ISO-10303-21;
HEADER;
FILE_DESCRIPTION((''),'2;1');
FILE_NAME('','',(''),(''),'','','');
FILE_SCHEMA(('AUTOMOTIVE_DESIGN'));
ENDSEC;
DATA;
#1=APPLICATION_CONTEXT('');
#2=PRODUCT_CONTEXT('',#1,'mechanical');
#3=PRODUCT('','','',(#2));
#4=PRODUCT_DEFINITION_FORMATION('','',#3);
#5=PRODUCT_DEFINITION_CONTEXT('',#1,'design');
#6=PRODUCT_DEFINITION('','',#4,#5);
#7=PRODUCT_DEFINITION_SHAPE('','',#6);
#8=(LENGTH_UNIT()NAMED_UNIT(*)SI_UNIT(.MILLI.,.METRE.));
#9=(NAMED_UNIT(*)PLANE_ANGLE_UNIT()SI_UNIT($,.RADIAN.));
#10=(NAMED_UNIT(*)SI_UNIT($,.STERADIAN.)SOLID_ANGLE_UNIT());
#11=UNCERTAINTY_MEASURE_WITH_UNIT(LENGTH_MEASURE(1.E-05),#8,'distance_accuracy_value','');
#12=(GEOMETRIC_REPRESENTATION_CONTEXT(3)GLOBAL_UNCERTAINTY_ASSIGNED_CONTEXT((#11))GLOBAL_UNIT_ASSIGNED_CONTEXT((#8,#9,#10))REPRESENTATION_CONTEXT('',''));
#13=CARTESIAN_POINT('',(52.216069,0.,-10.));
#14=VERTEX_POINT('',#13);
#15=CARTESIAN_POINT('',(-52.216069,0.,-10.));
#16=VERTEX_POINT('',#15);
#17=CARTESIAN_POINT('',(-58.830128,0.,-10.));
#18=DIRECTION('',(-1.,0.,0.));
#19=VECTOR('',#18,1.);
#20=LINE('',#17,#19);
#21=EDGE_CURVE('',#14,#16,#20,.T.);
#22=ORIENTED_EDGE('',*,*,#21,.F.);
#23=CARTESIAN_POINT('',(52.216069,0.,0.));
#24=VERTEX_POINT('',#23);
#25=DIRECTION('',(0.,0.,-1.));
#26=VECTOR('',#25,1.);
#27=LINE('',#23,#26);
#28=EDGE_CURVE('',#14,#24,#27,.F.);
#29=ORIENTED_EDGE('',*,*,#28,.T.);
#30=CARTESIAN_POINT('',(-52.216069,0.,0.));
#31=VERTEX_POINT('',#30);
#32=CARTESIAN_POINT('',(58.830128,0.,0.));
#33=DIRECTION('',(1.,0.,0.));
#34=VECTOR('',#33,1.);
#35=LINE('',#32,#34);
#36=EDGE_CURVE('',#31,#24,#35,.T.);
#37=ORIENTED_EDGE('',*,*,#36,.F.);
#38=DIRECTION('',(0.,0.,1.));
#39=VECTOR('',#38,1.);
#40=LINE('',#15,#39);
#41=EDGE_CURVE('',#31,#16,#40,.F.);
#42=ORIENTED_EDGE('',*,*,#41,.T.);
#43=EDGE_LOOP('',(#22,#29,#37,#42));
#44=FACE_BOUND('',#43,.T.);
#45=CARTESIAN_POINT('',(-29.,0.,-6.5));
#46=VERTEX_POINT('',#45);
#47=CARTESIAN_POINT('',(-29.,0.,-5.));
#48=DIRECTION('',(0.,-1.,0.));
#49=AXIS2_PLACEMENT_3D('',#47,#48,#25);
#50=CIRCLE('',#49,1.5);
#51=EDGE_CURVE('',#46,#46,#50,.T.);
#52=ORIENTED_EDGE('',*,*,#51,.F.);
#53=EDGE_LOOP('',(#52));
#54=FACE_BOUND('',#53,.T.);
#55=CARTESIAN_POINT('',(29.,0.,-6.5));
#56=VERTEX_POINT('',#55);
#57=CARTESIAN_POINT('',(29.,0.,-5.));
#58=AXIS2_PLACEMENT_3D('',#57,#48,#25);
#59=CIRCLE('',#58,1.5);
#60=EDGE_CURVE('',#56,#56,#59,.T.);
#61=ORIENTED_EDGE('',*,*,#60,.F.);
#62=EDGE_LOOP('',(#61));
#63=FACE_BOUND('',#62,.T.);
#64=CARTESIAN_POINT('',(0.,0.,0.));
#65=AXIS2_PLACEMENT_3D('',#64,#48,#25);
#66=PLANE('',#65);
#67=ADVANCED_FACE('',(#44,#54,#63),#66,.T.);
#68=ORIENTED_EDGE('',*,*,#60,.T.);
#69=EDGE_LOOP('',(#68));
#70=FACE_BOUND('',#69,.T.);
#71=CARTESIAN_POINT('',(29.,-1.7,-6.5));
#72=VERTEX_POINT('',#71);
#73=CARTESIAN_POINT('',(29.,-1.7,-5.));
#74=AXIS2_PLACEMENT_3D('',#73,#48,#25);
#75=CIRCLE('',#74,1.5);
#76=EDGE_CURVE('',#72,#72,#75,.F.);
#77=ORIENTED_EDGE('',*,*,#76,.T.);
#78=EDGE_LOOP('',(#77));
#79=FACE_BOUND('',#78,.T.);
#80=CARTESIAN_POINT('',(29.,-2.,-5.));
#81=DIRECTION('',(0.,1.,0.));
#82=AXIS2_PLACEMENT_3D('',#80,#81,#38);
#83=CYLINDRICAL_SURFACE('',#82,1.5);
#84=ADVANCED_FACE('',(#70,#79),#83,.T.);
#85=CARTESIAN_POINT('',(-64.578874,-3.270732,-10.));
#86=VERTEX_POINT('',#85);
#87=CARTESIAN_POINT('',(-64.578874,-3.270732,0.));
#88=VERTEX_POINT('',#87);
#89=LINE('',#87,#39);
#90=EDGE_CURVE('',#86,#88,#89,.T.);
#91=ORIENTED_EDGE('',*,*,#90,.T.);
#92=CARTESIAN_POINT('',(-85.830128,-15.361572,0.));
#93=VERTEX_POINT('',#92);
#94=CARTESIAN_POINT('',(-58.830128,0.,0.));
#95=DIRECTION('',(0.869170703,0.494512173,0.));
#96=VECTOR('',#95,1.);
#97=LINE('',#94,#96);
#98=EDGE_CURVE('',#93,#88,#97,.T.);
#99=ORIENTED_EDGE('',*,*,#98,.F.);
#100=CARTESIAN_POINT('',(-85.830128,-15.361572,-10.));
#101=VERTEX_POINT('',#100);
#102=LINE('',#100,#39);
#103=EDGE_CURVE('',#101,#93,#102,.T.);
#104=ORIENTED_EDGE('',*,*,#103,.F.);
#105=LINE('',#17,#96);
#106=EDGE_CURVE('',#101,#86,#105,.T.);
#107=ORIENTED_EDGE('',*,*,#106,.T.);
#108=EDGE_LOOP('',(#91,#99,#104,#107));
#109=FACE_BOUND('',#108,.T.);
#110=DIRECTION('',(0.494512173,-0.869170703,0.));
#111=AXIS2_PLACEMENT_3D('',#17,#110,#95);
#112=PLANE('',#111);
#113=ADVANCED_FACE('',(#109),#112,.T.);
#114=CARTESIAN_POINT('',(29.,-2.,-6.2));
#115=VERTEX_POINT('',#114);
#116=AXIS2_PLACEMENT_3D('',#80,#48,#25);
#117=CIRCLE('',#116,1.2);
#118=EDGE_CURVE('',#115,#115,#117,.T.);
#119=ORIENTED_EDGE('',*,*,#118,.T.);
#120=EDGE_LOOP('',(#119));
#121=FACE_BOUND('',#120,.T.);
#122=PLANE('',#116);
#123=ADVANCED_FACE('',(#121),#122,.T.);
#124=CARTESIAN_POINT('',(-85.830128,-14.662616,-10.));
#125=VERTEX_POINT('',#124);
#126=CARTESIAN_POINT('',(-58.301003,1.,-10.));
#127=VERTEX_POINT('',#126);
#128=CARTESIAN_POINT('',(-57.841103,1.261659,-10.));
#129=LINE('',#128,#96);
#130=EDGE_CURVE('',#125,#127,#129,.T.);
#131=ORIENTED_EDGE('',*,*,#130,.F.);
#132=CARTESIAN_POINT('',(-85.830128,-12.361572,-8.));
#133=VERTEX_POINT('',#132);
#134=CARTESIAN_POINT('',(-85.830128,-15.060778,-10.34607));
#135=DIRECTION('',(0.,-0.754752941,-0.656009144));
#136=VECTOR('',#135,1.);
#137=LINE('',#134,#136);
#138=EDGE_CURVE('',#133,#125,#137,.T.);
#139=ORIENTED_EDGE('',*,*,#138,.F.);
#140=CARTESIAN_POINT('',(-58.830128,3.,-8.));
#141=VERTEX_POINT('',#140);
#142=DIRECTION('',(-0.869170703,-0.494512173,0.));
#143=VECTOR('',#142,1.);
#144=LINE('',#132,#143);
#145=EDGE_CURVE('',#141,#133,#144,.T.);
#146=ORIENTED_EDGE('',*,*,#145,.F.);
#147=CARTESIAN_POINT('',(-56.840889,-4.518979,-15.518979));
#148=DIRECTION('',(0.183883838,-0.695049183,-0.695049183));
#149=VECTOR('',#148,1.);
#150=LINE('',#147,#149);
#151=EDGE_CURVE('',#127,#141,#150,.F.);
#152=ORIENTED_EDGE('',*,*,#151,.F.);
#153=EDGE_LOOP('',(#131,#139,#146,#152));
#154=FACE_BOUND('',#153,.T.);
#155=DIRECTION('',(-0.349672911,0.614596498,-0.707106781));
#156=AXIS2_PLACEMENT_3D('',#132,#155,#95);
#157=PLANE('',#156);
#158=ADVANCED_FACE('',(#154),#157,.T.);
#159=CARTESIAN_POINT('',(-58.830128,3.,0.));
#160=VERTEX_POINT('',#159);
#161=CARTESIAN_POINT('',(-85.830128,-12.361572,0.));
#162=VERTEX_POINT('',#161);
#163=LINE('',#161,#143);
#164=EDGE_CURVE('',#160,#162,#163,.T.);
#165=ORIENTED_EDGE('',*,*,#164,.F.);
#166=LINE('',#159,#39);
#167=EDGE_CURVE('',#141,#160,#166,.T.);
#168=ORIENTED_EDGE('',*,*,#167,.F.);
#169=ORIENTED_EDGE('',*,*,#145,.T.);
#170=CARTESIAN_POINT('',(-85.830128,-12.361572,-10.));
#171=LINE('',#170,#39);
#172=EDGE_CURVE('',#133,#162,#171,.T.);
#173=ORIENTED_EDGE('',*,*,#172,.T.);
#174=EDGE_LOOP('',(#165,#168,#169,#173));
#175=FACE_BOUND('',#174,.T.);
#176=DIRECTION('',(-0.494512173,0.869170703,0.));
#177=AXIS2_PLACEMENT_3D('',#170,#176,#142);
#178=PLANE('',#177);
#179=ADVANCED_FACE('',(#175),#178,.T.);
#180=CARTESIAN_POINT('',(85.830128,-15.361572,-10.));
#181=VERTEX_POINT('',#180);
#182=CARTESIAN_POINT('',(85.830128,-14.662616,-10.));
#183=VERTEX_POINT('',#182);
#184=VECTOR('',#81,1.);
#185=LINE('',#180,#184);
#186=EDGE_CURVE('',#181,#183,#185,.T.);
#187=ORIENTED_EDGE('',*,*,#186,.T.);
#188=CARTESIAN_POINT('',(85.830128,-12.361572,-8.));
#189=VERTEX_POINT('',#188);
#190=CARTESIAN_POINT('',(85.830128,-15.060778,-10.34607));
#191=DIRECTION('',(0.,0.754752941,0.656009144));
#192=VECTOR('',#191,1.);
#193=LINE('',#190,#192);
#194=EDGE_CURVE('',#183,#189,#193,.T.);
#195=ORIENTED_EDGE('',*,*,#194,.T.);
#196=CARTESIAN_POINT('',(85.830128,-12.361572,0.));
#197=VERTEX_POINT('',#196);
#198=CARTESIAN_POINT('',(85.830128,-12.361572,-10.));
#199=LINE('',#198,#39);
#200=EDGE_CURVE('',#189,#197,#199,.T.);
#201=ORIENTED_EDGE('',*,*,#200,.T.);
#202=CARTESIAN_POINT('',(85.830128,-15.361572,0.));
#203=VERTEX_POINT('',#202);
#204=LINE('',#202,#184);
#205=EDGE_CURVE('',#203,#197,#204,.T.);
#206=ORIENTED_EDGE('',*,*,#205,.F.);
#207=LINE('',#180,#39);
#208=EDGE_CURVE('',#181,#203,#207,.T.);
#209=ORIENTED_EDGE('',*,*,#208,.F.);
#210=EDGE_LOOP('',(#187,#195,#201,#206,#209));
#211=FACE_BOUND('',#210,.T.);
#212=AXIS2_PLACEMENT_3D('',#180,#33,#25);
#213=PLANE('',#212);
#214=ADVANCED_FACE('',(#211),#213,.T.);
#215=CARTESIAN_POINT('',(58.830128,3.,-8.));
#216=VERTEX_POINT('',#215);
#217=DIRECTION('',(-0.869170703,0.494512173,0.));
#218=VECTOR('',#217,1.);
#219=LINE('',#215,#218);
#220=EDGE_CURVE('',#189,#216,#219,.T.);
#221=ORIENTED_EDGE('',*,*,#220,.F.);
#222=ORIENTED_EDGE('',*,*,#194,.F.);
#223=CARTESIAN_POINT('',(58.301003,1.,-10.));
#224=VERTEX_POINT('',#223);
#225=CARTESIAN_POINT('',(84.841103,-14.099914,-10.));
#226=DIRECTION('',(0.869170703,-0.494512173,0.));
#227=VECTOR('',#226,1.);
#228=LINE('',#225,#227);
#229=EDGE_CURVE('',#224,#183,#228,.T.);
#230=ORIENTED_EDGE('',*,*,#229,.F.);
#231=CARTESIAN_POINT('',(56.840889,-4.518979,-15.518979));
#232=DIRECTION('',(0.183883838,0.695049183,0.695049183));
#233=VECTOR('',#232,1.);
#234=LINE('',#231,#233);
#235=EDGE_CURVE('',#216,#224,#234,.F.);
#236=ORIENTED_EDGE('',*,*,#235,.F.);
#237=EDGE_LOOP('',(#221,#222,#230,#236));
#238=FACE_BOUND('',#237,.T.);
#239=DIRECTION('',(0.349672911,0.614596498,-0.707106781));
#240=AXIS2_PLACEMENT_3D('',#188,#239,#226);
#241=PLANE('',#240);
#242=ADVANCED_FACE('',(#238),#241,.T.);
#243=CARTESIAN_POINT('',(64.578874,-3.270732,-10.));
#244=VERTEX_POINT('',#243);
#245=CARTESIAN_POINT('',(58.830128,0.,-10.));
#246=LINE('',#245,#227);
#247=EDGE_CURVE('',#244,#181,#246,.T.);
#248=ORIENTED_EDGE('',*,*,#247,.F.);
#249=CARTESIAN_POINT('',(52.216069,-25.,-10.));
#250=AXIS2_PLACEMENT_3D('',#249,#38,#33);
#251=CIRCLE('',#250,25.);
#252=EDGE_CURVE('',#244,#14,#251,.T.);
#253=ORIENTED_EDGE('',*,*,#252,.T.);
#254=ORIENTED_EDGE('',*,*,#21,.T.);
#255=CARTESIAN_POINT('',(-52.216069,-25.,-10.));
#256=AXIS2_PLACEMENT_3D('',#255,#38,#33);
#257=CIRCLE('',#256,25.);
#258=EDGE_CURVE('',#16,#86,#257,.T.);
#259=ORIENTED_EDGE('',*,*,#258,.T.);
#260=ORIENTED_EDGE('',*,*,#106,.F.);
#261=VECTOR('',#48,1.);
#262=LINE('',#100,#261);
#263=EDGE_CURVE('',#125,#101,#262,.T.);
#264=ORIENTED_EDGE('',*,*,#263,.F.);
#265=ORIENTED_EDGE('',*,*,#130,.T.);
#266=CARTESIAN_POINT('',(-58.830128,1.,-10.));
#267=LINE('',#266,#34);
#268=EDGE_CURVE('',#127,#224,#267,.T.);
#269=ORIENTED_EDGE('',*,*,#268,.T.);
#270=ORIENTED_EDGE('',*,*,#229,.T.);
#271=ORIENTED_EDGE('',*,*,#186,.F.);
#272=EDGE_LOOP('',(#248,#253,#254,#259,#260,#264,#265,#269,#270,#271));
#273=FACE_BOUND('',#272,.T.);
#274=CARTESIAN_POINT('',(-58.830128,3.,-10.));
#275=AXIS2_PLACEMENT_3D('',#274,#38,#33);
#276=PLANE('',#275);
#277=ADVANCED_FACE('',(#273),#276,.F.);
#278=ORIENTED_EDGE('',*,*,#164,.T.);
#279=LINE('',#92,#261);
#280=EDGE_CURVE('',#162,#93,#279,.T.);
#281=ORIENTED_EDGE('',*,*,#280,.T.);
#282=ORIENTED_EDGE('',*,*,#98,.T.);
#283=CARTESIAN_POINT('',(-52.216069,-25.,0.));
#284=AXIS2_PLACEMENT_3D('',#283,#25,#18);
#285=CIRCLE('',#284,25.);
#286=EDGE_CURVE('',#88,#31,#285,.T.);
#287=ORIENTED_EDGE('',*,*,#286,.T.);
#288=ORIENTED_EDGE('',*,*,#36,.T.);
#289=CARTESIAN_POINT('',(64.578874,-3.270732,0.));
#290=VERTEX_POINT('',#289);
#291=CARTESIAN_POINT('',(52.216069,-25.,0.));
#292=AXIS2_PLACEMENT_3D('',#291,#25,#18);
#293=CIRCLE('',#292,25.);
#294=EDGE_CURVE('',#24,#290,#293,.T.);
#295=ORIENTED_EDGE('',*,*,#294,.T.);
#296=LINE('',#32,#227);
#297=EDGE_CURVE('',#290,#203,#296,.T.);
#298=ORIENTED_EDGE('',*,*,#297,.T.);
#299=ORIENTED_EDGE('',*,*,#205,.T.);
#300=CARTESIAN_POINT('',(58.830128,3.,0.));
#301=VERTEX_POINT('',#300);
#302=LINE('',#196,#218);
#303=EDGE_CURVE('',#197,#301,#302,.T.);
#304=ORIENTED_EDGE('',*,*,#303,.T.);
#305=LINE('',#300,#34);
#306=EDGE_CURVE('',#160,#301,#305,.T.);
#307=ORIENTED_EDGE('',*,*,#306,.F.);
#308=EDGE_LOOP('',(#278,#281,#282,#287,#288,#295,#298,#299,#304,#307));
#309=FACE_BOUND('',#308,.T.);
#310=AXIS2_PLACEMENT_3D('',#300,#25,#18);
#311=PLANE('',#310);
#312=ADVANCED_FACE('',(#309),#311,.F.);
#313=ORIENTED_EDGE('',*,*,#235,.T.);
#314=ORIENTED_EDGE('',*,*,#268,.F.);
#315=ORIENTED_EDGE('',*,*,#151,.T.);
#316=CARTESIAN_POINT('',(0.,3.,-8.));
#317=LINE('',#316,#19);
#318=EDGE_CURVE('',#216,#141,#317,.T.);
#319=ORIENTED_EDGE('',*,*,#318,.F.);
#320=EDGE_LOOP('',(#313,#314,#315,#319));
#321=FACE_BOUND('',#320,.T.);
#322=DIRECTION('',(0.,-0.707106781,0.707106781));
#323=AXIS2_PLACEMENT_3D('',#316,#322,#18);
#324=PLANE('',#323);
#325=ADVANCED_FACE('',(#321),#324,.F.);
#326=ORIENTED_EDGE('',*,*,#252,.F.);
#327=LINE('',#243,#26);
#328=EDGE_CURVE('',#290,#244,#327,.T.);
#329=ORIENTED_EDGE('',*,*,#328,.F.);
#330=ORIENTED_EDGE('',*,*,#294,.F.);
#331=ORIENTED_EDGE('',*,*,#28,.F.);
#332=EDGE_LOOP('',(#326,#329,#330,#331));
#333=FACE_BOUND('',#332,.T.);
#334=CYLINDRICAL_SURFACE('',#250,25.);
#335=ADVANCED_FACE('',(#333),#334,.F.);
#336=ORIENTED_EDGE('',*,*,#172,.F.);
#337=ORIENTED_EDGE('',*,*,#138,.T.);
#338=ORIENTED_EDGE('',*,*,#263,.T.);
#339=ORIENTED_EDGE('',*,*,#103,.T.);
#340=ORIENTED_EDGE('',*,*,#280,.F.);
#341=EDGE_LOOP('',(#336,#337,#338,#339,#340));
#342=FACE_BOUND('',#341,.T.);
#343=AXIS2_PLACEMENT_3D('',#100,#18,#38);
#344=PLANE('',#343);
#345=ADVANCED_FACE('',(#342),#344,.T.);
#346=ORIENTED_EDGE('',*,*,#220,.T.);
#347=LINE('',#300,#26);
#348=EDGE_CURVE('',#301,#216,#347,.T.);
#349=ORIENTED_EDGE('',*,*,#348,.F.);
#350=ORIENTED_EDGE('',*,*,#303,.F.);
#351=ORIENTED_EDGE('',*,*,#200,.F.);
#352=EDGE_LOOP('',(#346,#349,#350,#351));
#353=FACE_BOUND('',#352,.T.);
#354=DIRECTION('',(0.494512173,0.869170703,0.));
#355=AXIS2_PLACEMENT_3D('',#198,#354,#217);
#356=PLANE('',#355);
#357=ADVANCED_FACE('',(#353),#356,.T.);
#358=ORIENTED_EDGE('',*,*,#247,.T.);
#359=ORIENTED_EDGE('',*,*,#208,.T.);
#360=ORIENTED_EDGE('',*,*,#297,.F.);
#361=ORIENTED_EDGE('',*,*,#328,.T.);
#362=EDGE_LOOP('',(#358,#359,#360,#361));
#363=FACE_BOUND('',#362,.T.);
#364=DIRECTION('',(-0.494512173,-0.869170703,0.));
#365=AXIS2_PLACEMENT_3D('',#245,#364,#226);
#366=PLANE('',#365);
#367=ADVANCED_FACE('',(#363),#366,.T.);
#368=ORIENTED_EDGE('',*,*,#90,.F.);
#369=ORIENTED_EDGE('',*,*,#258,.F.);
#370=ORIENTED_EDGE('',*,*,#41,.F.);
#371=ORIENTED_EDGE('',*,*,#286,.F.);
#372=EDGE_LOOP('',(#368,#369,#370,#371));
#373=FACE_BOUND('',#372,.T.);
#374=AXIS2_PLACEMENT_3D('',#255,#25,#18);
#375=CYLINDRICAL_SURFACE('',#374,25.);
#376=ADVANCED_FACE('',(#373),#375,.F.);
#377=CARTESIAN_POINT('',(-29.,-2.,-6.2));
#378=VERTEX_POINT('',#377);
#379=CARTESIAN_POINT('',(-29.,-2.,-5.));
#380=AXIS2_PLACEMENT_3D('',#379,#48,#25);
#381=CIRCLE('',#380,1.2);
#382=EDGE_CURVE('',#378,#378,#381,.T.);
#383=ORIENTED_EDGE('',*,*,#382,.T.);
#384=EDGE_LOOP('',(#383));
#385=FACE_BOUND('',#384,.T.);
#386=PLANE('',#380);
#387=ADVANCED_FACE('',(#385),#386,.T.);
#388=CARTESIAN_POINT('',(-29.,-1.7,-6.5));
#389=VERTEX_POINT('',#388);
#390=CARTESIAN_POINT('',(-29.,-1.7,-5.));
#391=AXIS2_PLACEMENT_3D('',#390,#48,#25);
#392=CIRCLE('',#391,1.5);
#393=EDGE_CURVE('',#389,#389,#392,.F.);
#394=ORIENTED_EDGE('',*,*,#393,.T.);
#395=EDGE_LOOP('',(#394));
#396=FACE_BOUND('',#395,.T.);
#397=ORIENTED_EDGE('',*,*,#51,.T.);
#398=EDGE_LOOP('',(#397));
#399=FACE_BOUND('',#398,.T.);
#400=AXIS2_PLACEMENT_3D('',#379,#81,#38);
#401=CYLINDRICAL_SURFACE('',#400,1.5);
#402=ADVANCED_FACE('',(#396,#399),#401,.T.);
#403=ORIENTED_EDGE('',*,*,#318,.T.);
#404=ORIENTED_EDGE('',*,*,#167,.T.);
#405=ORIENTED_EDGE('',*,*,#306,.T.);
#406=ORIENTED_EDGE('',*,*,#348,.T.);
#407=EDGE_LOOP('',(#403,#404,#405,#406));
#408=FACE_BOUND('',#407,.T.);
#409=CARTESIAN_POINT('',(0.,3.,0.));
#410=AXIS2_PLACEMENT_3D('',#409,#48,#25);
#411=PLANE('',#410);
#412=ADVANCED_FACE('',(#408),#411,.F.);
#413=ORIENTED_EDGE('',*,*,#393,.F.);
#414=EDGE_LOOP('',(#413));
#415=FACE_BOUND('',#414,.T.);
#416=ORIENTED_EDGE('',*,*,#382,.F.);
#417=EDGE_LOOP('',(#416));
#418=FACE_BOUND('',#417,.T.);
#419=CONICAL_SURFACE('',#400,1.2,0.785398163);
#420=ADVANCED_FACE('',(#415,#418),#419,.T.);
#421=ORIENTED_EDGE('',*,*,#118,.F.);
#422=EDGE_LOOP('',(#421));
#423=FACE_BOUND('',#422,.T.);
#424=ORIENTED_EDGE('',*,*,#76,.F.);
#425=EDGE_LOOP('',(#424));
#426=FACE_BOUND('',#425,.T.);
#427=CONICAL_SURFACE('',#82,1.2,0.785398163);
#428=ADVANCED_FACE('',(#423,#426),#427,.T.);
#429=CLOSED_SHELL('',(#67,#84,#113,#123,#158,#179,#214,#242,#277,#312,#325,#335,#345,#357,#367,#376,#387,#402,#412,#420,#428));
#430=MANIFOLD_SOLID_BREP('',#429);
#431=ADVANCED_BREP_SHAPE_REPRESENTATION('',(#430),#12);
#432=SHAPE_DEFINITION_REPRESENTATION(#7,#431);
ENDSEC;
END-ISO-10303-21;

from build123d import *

# Parameters (mm, degrees)
SKETCH1_W           = 117.660256
SKETCH1_H           = 10
BOSS_EXTRUDE1_DEPTH = 3
CHAMFER1_SIZE       = 2
BOSS_EXTRUDE2_START = -3
SKETCH2_R           = 1.5
BOSS_EXTRUDE2_DEPTH = 2
CHAMFER2_SIZE       = 0.3
BOSS_EXTRUDE3_DEPTH = 10
CHAMFER3_SIZE       = 2
FILLET1_R           = 25


with BuildPart() as part:
    # Sketch1 → Boss-Extrude1 (new body)
    with BuildSketch(Plane(origin=(0, 0, 0), x_dir=(1, 0, 0), z_dir=(0, 1, 0))):
        with Locations((0, 5)):
            Rectangle(SKETCH1_W, SKETCH1_H)
    extrude(amount=BOSS_EXTRUDE1_DEPTH)

    # Chamfer1
    chamfer1_edges = [part.edges().sort_by_distance(p)[0] for p in [
        (0, 3, -10),
    ]]
    chamfer(chamfer1_edges, length=CHAMFER1_SIZE)

    # Sketch2 → Boss-Extrude2 (add)
    with BuildSketch(Plane(origin=(0, 3, 0), x_dir=(1, 0, 0), z_dir=(0, 1, 0)).offset(BOSS_EXTRUDE2_START)):
        with Locations(Location((-29, 5, 0), (0, 0, 90))):
            Circle(SKETCH2_R)
        with Locations(Location((29, 5, 0), (0, 0, 90))):
            Circle(SKETCH2_R)
    extrude(amount=-BOSS_EXTRUDE2_DEPTH)

    # Chamfer2
    chamfer2_edges = [part.edges().sort_by_distance(p)[0] for p in [
        (-29, -2, -3.5),
        (29, -2, -3.5),
    ]]
    chamfer(chamfer2_edges, length=CHAMFER2_SIZE)

    # Sketch3 → Boss-Extrude3 (add)
    with BuildSketch(Plane.XY):
        Polygon((-58.830128, 0), (-85.830128, -15.361572), (-85.830128, -12.361572), (-58.830128, 3), align=None)
        Polygon((58.830128, 3), (58.830128, 0), (85.830128, -15.361572), (85.830128, -12.361572), align=None)
    extrude(amount=-BOSS_EXTRUDE3_DEPTH)

    # Chamfer3
    chamfer3_edges = [part.edges().sort_by_distance(p)[0] for p in [
        (72.330128, -4.680786, -10),
        (-72.330128, -4.680786, -10),
    ]]
    chamfer(chamfer3_edges, length=CHAMFER3_SIZE)

    # Fillet1
    fillet1_edges = [part.edges().sort_by_distance(p)[0] for p in [
        (-58.830128, 0, -5),
        (58.830128, 0, -5),
    ]]
    fillet(fillet1_edges, radius=FILLET1_R)


solid = part.part
